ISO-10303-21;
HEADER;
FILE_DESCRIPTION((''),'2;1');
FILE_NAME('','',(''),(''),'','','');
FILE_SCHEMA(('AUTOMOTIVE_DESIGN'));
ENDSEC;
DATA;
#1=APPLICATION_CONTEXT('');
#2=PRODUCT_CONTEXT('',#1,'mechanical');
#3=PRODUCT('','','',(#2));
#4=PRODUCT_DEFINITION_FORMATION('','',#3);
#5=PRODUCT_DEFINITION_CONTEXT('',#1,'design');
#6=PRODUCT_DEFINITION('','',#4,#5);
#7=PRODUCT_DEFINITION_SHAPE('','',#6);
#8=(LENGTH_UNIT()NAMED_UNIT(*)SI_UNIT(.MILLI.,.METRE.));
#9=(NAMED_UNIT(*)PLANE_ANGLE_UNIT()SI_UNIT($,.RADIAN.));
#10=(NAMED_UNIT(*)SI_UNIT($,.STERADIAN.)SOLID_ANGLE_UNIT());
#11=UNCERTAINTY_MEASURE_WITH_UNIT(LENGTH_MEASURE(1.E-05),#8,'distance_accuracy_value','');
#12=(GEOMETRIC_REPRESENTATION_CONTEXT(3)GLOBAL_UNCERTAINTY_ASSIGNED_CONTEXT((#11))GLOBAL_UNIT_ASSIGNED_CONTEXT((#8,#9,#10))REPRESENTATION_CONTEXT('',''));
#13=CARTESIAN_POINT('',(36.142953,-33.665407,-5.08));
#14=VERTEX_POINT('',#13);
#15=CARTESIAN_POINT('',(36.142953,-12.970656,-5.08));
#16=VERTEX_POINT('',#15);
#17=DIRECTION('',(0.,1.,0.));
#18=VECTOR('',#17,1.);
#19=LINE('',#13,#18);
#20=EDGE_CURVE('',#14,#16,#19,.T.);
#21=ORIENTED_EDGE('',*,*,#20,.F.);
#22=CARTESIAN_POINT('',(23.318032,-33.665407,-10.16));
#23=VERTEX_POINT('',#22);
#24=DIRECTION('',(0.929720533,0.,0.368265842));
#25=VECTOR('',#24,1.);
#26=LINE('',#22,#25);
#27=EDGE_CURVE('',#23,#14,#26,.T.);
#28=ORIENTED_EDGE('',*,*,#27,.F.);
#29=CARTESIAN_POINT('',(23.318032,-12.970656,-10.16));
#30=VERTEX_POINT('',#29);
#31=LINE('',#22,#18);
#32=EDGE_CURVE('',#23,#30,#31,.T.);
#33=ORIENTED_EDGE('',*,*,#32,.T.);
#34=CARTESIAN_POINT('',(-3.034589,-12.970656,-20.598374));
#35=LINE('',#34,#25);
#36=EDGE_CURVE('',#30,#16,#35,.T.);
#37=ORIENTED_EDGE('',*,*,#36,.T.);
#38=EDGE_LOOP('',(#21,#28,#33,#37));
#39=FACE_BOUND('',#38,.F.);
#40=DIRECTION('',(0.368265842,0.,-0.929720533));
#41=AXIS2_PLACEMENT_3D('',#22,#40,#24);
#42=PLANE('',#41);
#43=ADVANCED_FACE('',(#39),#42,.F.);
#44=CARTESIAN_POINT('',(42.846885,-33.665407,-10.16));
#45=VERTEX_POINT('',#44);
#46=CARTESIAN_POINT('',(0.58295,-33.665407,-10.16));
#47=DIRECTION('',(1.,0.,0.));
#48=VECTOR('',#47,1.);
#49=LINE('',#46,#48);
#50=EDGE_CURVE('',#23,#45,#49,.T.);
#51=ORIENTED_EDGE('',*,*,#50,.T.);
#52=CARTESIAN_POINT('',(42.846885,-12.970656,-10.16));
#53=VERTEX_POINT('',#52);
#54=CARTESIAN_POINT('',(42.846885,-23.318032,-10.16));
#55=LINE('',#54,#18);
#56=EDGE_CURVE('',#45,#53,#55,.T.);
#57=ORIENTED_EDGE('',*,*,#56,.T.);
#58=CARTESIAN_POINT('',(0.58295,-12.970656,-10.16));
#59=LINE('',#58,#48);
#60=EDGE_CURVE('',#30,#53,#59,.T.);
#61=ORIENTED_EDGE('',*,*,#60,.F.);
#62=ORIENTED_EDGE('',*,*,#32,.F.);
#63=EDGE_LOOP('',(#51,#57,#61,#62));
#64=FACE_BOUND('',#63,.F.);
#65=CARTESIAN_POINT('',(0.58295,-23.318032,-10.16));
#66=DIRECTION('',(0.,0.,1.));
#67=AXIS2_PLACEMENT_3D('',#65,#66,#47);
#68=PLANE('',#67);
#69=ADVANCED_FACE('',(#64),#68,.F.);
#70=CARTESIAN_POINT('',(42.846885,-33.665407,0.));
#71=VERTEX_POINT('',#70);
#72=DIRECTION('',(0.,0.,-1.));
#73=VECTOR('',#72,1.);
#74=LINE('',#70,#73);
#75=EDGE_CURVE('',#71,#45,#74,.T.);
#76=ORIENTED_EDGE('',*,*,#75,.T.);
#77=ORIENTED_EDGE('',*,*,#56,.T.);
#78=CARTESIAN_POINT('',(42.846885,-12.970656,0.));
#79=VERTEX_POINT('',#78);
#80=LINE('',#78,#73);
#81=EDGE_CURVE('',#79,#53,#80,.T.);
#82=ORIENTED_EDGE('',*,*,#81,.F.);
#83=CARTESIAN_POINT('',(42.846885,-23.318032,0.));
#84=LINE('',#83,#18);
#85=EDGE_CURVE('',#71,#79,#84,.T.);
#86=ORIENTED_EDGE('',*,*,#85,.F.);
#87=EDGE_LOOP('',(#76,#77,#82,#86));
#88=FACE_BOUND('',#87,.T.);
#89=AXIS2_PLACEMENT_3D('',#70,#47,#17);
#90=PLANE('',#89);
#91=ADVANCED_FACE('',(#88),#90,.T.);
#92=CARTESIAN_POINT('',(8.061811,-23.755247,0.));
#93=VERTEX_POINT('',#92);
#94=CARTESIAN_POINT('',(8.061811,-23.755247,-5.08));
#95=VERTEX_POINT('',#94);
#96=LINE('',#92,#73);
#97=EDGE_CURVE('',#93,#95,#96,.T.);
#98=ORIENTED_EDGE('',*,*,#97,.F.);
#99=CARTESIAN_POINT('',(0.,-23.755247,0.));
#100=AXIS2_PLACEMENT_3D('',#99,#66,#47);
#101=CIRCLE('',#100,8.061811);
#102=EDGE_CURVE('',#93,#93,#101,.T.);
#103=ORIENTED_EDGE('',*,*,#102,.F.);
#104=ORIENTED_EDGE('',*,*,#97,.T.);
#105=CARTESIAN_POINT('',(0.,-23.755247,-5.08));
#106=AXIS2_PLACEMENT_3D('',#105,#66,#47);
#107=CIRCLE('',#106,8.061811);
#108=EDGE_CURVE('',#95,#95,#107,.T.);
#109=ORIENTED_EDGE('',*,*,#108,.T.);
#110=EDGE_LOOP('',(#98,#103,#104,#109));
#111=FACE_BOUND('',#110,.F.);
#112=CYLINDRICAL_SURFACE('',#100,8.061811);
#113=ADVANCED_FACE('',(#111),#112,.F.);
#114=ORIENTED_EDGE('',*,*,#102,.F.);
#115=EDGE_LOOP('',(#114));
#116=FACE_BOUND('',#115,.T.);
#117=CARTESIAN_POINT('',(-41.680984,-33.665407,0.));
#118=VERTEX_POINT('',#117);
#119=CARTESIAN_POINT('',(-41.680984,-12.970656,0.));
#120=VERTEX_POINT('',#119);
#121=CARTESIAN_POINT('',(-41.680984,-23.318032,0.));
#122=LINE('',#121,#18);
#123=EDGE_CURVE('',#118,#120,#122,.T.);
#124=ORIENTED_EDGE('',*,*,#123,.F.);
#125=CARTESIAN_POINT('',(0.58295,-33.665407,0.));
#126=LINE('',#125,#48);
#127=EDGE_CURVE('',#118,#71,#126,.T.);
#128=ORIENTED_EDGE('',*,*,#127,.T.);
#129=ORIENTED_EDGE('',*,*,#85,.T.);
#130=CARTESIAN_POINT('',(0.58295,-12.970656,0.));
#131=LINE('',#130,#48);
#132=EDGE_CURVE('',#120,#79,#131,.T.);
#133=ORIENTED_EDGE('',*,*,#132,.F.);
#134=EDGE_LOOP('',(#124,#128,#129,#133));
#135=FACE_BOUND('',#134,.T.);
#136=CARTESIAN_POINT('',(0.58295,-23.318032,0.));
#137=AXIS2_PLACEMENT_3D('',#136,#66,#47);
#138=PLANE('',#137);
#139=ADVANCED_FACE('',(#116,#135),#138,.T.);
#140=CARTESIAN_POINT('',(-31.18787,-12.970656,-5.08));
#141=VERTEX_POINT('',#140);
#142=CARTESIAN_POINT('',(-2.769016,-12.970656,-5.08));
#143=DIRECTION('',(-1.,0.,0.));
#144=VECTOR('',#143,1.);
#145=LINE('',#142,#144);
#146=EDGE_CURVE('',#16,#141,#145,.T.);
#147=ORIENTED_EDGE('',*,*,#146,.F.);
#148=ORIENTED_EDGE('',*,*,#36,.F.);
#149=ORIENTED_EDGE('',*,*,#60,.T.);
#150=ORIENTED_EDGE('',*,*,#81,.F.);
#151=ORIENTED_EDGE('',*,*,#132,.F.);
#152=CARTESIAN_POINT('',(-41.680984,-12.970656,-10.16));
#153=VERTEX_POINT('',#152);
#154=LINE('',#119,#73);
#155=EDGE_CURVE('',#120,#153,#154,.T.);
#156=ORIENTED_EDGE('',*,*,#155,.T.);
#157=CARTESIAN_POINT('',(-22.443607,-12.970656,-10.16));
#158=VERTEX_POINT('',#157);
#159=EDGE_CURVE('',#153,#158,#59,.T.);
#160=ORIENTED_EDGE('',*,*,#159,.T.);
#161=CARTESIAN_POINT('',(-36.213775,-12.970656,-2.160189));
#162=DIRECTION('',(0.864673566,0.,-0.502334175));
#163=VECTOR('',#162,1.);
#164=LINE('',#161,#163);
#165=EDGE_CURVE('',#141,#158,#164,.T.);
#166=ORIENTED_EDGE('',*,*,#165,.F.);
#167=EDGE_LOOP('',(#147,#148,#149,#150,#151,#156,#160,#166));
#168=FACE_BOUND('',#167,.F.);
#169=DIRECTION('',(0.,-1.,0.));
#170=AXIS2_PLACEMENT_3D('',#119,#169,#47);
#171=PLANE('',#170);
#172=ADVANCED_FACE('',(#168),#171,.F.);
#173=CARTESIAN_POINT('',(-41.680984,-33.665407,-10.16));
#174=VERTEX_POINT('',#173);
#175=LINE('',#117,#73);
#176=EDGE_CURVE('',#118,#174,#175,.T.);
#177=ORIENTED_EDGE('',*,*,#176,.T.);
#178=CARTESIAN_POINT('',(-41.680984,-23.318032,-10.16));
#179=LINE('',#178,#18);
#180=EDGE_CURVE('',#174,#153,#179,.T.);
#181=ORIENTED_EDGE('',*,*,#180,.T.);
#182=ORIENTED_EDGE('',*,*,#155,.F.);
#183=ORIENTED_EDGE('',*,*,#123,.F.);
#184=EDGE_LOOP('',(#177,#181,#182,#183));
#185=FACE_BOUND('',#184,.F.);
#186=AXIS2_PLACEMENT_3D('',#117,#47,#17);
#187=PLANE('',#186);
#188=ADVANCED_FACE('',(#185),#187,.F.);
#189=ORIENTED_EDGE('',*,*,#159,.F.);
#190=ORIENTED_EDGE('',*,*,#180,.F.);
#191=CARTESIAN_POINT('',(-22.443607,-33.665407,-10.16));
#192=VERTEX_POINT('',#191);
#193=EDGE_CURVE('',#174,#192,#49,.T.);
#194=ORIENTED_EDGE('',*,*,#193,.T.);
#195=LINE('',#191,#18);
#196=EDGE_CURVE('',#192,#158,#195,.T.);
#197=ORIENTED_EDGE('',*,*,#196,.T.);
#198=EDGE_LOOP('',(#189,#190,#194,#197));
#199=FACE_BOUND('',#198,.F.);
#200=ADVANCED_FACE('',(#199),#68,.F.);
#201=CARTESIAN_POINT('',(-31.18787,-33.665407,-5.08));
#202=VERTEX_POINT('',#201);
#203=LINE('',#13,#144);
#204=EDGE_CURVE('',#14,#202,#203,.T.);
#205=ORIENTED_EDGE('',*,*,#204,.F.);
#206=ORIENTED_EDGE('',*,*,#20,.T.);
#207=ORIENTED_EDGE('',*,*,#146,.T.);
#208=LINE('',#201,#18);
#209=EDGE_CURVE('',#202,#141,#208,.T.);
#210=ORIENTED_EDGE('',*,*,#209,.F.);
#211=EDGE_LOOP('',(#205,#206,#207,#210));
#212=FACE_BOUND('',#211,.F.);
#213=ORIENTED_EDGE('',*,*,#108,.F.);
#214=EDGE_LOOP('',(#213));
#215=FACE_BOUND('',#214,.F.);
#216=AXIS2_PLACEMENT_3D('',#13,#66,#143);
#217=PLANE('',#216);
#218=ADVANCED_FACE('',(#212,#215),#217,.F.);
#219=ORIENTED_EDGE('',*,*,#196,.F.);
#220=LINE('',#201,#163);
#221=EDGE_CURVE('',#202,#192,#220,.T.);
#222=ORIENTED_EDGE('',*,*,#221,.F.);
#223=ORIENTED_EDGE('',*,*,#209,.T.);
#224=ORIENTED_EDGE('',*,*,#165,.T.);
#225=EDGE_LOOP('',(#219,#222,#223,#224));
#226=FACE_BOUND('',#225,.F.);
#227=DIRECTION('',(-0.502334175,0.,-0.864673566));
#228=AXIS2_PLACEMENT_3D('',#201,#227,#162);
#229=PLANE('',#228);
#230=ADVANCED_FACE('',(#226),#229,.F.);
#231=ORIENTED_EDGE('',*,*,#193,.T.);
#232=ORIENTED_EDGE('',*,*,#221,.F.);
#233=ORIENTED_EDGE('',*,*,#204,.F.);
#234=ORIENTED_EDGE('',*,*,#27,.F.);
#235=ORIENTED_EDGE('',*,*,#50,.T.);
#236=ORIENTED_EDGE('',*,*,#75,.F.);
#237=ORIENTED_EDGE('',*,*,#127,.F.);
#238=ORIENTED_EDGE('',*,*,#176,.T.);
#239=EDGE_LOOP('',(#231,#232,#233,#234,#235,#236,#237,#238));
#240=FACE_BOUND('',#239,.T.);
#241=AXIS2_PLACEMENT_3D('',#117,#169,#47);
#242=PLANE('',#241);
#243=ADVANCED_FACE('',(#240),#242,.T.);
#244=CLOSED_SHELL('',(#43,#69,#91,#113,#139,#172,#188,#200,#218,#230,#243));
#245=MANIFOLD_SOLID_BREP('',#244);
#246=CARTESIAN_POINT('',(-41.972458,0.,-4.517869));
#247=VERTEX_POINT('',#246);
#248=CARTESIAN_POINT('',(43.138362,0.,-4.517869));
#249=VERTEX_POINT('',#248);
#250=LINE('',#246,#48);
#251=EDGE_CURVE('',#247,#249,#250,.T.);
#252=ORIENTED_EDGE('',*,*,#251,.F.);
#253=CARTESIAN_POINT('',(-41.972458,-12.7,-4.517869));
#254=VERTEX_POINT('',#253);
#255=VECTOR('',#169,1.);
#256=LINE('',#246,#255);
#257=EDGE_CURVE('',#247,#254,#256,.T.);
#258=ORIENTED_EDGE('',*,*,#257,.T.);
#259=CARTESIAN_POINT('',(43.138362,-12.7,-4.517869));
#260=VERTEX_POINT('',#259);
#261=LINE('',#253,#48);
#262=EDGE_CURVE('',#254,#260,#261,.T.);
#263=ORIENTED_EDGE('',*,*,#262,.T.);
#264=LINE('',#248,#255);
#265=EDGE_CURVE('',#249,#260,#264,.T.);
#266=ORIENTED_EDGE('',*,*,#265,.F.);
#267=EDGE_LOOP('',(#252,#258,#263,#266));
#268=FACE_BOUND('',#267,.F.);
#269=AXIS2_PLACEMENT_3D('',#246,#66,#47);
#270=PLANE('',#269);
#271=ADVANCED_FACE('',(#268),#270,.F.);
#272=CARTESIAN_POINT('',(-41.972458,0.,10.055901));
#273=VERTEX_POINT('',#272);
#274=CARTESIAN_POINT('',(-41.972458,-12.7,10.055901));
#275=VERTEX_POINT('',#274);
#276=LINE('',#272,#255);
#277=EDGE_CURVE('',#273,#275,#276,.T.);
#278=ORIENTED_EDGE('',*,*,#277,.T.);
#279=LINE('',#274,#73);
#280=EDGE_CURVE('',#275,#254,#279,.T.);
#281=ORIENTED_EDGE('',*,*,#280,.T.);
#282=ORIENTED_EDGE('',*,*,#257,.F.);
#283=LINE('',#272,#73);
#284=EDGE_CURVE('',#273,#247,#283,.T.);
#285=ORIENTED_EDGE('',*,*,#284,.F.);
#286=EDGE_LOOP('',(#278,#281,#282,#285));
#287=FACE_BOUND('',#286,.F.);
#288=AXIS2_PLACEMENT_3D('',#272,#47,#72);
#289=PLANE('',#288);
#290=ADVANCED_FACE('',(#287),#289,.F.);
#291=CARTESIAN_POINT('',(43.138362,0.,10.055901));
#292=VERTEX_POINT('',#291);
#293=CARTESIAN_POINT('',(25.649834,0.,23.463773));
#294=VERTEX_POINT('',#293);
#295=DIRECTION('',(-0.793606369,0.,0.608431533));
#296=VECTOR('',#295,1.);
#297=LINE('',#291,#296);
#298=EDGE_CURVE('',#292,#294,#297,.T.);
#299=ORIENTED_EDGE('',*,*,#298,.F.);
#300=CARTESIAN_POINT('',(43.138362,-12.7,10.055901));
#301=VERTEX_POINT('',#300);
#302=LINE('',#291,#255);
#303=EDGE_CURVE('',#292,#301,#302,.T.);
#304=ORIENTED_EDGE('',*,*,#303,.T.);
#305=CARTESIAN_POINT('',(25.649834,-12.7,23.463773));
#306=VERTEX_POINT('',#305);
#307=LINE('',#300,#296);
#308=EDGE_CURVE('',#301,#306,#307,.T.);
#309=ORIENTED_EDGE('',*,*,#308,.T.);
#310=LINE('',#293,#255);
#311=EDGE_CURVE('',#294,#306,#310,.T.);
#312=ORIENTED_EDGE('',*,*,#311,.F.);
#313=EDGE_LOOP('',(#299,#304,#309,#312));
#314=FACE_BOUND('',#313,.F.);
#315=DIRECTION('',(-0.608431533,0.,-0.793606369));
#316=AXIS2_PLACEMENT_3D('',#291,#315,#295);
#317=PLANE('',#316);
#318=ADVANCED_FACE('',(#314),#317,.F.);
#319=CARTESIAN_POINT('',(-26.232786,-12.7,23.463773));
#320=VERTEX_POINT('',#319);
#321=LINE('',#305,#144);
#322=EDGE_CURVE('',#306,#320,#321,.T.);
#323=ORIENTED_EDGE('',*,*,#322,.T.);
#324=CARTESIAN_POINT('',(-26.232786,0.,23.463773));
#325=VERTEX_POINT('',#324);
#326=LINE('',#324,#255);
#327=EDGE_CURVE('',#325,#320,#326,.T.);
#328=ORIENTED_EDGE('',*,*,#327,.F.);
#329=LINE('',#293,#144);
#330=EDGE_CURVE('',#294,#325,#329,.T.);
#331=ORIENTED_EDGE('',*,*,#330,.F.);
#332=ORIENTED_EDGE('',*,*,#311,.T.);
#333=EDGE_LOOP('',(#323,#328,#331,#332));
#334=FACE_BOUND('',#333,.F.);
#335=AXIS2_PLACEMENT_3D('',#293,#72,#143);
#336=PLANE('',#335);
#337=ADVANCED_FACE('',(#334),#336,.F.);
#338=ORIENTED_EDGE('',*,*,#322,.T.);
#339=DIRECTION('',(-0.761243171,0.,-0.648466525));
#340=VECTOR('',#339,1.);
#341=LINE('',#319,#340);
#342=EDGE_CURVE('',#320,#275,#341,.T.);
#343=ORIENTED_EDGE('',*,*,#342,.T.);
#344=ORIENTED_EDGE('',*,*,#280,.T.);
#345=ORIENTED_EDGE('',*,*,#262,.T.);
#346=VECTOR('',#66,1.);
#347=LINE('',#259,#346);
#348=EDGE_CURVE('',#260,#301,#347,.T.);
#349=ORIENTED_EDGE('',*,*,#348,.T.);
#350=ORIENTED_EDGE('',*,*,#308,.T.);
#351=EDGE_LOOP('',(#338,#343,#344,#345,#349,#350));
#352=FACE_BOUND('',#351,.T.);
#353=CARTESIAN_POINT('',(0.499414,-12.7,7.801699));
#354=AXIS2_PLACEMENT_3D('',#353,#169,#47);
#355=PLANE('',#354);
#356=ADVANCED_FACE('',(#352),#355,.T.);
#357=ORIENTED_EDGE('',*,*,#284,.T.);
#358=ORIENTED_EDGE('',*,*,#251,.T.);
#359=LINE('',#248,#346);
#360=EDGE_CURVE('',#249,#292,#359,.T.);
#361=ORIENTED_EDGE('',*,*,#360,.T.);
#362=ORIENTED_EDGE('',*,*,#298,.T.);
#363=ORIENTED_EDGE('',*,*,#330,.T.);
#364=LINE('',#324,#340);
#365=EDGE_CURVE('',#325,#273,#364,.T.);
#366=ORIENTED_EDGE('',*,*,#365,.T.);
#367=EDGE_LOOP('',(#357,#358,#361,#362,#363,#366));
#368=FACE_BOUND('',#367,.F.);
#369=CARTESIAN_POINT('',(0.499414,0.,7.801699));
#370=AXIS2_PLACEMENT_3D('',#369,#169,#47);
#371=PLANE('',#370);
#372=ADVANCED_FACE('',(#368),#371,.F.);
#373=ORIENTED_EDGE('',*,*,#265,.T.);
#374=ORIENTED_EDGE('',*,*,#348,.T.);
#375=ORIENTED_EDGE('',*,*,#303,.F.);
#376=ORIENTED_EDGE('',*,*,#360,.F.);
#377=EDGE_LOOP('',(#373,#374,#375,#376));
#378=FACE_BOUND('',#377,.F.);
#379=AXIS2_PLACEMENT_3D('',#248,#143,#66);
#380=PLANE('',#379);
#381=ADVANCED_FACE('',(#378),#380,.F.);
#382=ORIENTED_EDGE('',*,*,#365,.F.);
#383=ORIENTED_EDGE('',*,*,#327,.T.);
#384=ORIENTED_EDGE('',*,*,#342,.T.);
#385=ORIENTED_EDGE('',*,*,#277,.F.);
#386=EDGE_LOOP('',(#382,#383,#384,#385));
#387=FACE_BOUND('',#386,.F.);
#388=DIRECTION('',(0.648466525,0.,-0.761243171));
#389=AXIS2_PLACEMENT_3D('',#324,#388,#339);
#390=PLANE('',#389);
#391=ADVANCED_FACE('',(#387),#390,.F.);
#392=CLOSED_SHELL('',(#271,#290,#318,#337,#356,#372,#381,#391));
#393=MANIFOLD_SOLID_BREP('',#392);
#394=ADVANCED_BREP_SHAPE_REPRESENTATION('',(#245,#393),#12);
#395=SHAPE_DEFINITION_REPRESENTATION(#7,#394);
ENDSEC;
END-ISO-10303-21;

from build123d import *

# Parameters (mm, degrees)
F1_DEPTH = 12.7
F2_W     = 84.5278687775
F2_H     = 20.6947512925
F3_DEPTH = 10.16
F5_DEPTH = 76.2
F6_R     = 8.061811372
F7_DEPTH = 25.4


with BuildPart() as f1:
    # F0 (on Front) → F1 (new body)
    with BuildSketch(Plane.XZ):
        Polygon((25.6498344243, 23.4637726098), (-26.2327864766, 23.4637726098), (-41.9724583626, 10.0559014827), (-41.9724583626, -4.5178690925), (43.1383624673, -4.5178690925), (43.1383624673, 10.0559014827), align=None)
    extrude(amount=F1_DEPTH)


with BuildPart() as f3:
    # F2 (on Top) → F3 (new body)
    with BuildSketch(Plane.XY):
        with Locations((0.5829501897, -23.3180318028)):
            Rectangle(F2_W, F2_H)
    extrude(amount=-F3_DEPTH)

    # F4 (on face) → F5 (cut)
    with BuildSketch(Plane.XZ.offset(33.665407449)):
        Polygon((36.1429527402, -5.08), (-31.1878696084, -5.08), (-22.4436074495, -10.16), (23.3180318028, -10.16), align=None)
    extrude(amount=-F5_DEPTH, mode=Mode.SUBTRACT)

    # F6 (on face) → F7 (cut)
    with BuildSketch(Plane.XY):
        with Locations((0, -23.7552467734)):
            Circle(F6_R)
    extrude(amount=-F7_DEPTH, mode=Mode.SUBTRACT)


solid = Compound([f1.part, f3.part])
